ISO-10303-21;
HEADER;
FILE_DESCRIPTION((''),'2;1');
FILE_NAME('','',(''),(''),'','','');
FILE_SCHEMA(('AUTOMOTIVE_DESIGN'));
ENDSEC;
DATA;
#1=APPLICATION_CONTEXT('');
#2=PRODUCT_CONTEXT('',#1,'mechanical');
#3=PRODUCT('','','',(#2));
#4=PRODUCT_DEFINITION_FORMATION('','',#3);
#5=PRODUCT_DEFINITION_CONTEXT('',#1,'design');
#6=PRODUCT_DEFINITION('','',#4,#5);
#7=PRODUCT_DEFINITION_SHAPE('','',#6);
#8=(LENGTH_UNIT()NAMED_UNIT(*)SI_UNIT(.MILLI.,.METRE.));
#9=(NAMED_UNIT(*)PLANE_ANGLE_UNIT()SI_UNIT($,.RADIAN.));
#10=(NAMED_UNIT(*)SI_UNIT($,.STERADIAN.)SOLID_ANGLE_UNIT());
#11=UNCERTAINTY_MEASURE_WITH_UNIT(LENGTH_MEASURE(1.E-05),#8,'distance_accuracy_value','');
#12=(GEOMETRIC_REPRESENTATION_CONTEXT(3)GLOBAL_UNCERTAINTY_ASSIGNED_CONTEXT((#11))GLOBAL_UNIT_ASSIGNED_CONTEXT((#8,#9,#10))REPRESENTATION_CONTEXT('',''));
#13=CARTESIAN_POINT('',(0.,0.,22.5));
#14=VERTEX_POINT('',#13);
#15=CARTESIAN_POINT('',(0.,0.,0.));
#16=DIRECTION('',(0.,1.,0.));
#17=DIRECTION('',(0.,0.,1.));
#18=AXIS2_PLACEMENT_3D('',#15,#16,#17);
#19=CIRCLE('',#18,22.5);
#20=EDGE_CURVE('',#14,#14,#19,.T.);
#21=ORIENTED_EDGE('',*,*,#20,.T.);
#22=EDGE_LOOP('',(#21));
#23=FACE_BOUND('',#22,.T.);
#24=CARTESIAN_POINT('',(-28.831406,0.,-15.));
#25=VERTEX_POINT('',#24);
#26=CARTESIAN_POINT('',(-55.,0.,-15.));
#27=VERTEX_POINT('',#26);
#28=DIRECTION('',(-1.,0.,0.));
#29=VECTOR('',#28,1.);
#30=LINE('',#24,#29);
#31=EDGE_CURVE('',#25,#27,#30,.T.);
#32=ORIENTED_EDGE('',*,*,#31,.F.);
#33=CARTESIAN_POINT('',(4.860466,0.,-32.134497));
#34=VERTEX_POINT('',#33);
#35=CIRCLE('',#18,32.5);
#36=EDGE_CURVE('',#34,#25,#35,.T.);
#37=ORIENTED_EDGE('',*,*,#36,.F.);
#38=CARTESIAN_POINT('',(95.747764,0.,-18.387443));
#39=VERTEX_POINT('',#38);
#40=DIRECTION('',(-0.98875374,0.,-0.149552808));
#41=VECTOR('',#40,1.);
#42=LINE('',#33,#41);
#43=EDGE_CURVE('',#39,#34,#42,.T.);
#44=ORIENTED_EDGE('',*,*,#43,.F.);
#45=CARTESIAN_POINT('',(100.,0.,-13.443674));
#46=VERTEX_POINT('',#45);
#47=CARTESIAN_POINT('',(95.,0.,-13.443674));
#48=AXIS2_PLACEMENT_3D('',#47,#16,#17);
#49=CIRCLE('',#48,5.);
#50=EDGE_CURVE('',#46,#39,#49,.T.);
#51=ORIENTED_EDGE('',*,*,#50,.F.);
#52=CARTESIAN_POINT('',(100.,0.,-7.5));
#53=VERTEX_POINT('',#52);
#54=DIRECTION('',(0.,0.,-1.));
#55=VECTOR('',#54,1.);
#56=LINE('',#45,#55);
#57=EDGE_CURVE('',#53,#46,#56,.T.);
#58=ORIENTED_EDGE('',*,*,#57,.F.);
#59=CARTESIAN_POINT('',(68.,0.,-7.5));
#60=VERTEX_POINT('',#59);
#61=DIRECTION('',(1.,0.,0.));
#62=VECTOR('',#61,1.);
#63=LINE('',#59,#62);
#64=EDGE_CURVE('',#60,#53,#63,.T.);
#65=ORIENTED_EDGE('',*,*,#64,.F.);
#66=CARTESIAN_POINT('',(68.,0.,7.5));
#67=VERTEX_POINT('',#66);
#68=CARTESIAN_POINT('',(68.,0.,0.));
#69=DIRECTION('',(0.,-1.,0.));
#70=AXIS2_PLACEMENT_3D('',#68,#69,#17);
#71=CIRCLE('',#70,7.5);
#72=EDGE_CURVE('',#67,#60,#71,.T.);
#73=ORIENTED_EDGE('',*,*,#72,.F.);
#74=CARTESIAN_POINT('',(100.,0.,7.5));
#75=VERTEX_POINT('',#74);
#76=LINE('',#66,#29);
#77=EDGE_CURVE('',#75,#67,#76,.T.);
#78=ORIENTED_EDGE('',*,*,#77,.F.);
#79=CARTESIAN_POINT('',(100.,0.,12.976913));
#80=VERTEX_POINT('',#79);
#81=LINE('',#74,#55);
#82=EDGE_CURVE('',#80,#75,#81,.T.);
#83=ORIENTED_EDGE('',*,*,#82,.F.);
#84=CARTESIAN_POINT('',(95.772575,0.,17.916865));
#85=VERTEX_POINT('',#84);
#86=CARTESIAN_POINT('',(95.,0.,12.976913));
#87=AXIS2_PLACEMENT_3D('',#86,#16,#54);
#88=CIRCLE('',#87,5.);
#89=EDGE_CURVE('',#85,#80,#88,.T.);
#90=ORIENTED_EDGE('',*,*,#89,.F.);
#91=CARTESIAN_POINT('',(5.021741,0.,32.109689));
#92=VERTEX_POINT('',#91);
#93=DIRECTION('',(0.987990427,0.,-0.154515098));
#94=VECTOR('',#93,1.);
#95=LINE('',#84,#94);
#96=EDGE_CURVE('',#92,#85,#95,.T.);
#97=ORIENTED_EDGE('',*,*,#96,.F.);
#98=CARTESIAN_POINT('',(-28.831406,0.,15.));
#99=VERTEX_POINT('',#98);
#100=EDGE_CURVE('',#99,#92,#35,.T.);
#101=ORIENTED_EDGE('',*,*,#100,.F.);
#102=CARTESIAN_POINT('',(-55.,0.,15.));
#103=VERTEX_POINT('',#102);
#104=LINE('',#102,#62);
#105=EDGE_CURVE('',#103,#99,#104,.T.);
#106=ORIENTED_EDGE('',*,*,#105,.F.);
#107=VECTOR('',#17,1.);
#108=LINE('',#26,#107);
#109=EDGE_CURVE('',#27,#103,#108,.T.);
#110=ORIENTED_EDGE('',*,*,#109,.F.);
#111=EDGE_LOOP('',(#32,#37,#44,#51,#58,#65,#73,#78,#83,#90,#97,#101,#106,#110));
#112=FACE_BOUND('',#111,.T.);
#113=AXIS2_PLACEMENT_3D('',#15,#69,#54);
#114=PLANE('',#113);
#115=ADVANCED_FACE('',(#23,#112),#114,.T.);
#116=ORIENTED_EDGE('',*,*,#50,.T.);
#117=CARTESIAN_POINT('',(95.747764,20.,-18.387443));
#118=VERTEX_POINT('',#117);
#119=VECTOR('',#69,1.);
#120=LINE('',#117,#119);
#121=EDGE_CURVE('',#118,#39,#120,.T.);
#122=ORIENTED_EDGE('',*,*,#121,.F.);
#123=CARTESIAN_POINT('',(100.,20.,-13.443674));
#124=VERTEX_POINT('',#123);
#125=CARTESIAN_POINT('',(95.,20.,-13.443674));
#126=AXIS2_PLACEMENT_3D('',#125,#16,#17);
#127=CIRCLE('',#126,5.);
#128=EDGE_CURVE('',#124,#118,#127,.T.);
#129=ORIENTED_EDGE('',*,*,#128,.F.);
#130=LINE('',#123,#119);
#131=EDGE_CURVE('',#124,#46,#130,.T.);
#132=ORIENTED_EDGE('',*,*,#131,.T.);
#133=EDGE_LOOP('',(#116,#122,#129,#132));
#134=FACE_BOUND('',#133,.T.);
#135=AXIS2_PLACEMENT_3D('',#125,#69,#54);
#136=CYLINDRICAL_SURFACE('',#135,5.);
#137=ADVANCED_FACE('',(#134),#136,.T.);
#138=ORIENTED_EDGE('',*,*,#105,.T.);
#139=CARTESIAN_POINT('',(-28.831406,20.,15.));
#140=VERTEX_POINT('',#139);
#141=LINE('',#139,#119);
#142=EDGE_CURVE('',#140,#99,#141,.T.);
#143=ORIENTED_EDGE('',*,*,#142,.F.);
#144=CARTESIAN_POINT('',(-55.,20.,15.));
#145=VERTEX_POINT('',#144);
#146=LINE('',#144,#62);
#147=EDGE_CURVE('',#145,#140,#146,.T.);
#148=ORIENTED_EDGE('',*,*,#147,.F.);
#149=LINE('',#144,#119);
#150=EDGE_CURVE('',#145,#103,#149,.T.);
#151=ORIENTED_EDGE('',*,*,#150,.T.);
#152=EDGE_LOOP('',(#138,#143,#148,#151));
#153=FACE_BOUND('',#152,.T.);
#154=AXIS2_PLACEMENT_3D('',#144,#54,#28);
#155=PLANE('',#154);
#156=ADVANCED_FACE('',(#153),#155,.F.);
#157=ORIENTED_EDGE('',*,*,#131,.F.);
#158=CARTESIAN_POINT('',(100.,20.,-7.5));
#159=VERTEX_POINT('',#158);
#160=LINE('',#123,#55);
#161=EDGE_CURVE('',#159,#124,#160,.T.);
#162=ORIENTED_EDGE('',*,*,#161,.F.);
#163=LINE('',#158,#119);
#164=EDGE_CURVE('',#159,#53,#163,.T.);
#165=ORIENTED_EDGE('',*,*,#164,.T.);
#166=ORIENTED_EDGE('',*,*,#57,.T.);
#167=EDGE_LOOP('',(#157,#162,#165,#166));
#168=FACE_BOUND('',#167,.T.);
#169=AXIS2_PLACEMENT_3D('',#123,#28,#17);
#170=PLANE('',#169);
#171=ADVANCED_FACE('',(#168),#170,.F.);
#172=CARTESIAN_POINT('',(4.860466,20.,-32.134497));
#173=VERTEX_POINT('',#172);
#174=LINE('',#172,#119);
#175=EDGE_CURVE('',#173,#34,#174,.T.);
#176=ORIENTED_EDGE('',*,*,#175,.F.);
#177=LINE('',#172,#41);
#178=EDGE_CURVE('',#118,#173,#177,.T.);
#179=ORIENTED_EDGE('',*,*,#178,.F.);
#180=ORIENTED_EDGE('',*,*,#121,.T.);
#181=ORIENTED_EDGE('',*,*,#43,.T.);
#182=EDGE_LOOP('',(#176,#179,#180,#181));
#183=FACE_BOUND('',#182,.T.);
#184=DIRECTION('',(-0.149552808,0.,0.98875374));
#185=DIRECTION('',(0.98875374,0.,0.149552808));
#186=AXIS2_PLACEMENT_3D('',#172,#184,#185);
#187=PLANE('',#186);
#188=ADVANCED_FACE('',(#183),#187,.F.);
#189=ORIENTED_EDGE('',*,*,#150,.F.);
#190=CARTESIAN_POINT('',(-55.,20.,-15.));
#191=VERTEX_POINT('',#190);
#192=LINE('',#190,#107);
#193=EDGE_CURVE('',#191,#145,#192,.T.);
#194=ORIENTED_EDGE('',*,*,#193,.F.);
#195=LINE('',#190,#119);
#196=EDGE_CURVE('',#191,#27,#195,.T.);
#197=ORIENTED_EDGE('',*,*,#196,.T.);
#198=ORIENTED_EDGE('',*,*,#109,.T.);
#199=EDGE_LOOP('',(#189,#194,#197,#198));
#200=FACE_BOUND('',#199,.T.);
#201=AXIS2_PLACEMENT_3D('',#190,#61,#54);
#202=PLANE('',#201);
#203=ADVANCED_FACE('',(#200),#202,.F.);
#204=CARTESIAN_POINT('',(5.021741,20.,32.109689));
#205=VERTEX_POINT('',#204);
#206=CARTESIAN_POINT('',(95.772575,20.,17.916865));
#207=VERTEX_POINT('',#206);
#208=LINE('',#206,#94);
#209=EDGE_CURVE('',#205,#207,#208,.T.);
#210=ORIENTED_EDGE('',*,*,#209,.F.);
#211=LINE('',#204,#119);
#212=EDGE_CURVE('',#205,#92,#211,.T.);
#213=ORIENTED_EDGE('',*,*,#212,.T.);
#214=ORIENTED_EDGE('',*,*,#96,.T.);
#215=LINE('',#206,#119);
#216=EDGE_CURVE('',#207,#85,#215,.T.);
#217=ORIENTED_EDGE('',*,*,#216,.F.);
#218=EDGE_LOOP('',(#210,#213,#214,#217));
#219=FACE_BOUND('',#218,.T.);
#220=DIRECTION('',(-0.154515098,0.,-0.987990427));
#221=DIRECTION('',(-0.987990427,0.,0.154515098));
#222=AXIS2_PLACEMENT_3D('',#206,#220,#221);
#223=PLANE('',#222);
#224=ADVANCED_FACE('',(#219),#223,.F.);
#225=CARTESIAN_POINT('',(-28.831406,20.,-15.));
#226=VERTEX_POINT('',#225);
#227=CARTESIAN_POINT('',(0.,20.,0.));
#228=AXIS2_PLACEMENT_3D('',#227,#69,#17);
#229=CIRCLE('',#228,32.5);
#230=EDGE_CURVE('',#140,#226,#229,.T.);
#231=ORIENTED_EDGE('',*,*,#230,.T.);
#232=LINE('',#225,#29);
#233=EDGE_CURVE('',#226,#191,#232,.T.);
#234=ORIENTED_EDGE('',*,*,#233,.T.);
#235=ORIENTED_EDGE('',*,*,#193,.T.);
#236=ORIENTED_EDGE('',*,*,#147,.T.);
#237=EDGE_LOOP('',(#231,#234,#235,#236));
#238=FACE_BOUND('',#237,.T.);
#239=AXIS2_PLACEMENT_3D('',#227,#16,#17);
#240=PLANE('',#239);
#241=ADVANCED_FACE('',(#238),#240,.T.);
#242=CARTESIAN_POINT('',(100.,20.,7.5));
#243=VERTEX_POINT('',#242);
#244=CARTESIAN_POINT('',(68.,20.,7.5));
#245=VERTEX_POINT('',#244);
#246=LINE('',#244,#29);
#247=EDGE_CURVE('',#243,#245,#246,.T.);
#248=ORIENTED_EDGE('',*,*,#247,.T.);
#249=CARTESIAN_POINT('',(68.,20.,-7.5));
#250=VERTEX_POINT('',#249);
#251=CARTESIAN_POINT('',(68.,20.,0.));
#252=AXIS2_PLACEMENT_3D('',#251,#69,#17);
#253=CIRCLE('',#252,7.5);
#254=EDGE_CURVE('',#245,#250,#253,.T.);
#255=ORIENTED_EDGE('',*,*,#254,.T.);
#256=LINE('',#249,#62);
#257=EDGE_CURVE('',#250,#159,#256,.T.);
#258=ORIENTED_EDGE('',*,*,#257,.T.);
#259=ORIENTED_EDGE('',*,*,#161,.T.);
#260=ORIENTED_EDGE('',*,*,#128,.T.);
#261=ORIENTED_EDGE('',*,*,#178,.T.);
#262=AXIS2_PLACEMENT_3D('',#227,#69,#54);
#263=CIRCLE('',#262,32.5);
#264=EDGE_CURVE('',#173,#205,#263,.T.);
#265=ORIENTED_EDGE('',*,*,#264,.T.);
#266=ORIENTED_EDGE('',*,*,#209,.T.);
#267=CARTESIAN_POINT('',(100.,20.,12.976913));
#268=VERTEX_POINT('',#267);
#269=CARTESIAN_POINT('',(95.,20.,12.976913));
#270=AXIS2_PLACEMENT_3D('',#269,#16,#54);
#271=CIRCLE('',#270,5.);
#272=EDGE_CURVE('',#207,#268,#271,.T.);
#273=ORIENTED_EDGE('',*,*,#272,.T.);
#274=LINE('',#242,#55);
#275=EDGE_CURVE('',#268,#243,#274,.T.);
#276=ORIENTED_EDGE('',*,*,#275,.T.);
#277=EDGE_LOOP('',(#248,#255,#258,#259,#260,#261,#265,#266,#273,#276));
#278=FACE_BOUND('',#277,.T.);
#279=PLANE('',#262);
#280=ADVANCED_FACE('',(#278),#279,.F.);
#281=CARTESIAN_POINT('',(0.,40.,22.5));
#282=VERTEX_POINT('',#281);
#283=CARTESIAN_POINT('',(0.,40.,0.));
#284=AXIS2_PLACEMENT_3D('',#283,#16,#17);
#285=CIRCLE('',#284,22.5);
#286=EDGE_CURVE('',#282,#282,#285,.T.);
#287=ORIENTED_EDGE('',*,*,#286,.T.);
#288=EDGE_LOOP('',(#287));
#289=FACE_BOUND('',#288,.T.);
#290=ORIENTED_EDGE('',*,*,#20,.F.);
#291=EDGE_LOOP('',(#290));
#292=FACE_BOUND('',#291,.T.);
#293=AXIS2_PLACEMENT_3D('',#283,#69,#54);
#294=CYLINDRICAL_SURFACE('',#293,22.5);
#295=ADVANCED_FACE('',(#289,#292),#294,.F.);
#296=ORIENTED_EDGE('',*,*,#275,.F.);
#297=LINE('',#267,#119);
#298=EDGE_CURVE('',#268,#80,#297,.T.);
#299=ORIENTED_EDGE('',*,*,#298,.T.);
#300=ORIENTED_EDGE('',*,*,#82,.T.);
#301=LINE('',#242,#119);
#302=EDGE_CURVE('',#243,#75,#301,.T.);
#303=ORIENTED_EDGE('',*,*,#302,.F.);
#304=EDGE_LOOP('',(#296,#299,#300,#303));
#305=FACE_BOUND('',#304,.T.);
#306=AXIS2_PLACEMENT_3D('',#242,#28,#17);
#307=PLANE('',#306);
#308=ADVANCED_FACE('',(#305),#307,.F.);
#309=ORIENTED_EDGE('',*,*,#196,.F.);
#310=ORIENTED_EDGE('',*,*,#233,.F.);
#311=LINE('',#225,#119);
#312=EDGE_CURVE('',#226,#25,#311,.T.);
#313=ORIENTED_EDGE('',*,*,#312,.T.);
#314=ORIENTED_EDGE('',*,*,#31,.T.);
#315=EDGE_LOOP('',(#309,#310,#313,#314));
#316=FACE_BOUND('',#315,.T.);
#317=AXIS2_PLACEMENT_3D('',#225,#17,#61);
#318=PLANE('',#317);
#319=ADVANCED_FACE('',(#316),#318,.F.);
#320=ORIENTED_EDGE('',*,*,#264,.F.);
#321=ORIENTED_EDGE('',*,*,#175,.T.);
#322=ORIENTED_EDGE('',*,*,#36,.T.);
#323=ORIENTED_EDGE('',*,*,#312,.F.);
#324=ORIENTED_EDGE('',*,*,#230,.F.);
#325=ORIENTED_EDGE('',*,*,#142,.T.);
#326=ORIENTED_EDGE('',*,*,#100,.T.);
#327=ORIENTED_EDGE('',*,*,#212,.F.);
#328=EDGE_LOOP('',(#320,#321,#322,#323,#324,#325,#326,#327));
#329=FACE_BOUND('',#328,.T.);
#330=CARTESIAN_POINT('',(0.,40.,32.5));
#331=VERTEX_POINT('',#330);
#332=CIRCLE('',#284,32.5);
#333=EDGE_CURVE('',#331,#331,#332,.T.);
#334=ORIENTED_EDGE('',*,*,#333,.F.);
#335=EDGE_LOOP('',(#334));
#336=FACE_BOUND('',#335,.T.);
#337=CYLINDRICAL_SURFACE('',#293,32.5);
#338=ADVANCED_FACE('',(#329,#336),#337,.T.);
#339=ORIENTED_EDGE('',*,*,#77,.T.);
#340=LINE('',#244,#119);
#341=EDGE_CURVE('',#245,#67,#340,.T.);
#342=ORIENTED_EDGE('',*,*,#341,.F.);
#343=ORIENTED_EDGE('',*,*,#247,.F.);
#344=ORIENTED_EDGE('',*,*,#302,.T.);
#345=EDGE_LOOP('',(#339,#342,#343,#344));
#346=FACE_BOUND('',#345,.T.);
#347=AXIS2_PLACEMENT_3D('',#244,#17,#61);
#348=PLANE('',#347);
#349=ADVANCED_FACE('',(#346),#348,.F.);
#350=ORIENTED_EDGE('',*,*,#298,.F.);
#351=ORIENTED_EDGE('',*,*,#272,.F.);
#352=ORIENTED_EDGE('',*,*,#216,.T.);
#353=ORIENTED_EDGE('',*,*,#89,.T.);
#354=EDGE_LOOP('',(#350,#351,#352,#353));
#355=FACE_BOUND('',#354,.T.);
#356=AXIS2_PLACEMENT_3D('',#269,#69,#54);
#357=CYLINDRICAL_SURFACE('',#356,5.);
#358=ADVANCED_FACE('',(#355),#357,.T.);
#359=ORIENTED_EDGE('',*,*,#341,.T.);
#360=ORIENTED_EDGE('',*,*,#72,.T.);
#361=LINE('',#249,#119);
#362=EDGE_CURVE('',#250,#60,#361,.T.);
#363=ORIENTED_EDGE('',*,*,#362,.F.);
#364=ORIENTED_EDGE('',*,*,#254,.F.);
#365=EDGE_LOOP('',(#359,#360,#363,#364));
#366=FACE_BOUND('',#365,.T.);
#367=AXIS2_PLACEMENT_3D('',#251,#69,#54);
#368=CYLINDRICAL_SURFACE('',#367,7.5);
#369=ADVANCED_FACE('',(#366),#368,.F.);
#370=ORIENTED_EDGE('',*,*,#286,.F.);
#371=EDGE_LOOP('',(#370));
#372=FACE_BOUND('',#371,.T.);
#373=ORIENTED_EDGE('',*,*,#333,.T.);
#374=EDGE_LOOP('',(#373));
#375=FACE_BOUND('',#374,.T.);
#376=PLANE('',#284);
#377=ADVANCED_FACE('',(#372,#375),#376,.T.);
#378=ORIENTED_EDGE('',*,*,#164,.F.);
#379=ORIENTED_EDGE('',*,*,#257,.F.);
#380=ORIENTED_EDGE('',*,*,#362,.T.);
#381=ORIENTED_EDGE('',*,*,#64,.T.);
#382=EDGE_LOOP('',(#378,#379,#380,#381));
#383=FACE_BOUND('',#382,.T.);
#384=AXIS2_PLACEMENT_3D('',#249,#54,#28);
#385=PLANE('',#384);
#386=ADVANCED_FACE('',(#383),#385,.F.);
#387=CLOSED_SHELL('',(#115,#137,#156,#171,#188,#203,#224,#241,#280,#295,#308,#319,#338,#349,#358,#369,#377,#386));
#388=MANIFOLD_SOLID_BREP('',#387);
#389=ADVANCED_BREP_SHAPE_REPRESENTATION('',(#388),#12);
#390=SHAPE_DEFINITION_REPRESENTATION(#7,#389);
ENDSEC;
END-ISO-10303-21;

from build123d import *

# Parameters (mm, degrees)
DODANIE_WYCI_GNI_CIE1_DEPTH = 20
SZKIC1_R                    = 32.5
SZKIC1_R_2                  = 22.5
DODANIE_WYCI_GNI_CIE2_DEPTH = 40
DODANIE_WYCI_GNI_CIE3_DEPTH = 20


with BuildPart() as part:
    # Szkic3 → Dodanie-wyciągnięcie1 (new body)
    with BuildSketch(Plane(origin=(0, 0, 0), x_dir=(1, 0, 0), z_dir=(0, 1, 0))):
        with BuildLine():
            Line((4.860466255, 32.134496539), (95.747764039, 18.387443016))
            ThreePointArc((95.747764039, 18.387443016), (98.790700476, 16.704132859), (100, 13.443674318))
            Line((100, 13.443674318), (100, 7.5))
            Line((100, 7.5), (68, 7.5))
            ThreePointArc((68, 7.5), (60.5, 0), (68, -7.5))
            Line((68, -7.5), (100, -7.5))
            Line((100, -7.5), (100, -12.976912833))
            ThreePointArc((100, -12.976912833), (98.79887335, -16.227845203), (95.772575492, -17.91686497))
            Line((95.772575492, -17.91686497), (5.021740697, -32.109688886))
            ThreePointArc((5.021740697, -32.109688886), (32.499897597, 0.081585638), (4.860466255, 32.134496539))
        make_face()
    extrude(amount=DODANIE_WYCI_GNI_CIE1_DEPTH)

    # Szkic1 → Dodanie-wyciągnięcie2 (add)
    with BuildSketch(Plane(origin=(0, 0, 0), x_dir=(1, 0, 0), z_dir=(0, 1, 0))):
        with Locations(Location((0, 0, 0), (0, 0, 81.398987984))):
            Circle(SZKIC1_R)
        with Locations(Location((0, 0, 0), (0, 0, 270))):
            Circle(SZKIC1_R_2, mode=Mode.SUBTRACT)
    extrude(amount=DODANIE_WYCI_GNI_CIE2_DEPTH)

    # Szkic2 → Dodanie-wyciągnięcie3 (add)
    with BuildSketch(Plane(origin=(0, 0, 0), x_dir=(1, 0, 0), z_dir=(0, 1, 0))):
        with BuildLine():
            Line((-28.831406487, 15), (-55, 15))
            Line((-55, 15), (-55, -15))
            Line((-55, -15), (-28.831406487, -15))
            ThreePointArc((-28.831406487, -15), (-32.5, 0), (-28.831406487, 15))
        make_face()
    extrude(amount=DODANIE_WYCI_GNI_CIE3_DEPTH)


solid = part.part
